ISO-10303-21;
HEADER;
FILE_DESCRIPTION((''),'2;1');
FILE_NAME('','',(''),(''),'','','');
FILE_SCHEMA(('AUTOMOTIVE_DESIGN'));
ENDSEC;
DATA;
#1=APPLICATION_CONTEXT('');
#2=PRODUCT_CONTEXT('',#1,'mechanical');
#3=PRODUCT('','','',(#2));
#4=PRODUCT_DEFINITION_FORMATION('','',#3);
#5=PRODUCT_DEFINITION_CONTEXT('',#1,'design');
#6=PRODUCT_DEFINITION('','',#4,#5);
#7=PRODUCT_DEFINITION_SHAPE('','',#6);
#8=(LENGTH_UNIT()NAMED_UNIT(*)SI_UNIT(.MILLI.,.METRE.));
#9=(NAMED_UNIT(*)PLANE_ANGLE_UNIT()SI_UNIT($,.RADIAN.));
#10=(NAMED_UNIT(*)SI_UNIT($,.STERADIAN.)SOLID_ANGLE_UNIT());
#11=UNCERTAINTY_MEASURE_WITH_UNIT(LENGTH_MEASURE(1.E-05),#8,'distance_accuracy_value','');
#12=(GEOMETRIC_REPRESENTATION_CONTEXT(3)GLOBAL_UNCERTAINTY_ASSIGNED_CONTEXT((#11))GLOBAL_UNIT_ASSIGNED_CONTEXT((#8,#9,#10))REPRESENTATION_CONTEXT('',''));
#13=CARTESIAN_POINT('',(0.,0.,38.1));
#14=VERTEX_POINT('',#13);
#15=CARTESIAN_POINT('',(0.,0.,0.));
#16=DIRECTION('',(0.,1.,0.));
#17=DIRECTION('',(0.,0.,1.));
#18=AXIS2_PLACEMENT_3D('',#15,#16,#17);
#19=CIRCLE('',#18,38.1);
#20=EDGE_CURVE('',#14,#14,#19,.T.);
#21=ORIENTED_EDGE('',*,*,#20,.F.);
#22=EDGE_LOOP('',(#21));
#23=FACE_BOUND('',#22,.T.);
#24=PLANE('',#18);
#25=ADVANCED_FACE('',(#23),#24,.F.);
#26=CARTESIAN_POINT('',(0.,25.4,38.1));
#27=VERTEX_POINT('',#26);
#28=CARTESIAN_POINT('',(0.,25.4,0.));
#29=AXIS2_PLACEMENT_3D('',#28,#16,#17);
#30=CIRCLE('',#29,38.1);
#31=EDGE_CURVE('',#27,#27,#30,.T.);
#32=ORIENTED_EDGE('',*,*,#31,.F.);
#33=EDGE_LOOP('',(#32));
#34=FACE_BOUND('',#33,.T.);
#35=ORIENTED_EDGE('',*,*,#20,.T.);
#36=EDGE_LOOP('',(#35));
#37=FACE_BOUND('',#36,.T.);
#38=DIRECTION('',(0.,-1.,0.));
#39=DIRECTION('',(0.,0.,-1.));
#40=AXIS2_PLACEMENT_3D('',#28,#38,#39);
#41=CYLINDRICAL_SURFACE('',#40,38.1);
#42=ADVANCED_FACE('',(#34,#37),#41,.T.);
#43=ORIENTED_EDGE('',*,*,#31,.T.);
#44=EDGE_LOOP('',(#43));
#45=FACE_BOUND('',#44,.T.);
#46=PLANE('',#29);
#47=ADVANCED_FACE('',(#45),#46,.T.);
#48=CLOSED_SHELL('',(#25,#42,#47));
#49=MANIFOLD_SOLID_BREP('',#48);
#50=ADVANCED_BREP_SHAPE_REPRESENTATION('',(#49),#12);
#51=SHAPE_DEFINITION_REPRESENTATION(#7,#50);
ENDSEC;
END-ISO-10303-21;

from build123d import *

# Parameters (mm, degrees)
SKETCH1_R           = 38.1
BOSS_EXTRUDE1_DEPTH = 25.4


with BuildPart() as part:
    # Sketch1 → Boss-Extrude1 (new body)
    with BuildSketch(Plane(origin=(0, 0, 0), x_dir=(1, 0, 0), z_dir=(0, 1, 0))):
        Circle(SKETCH1_R)
    extrude(amount=BOSS_EXTRUDE1_DEPTH)


solid = part.part
